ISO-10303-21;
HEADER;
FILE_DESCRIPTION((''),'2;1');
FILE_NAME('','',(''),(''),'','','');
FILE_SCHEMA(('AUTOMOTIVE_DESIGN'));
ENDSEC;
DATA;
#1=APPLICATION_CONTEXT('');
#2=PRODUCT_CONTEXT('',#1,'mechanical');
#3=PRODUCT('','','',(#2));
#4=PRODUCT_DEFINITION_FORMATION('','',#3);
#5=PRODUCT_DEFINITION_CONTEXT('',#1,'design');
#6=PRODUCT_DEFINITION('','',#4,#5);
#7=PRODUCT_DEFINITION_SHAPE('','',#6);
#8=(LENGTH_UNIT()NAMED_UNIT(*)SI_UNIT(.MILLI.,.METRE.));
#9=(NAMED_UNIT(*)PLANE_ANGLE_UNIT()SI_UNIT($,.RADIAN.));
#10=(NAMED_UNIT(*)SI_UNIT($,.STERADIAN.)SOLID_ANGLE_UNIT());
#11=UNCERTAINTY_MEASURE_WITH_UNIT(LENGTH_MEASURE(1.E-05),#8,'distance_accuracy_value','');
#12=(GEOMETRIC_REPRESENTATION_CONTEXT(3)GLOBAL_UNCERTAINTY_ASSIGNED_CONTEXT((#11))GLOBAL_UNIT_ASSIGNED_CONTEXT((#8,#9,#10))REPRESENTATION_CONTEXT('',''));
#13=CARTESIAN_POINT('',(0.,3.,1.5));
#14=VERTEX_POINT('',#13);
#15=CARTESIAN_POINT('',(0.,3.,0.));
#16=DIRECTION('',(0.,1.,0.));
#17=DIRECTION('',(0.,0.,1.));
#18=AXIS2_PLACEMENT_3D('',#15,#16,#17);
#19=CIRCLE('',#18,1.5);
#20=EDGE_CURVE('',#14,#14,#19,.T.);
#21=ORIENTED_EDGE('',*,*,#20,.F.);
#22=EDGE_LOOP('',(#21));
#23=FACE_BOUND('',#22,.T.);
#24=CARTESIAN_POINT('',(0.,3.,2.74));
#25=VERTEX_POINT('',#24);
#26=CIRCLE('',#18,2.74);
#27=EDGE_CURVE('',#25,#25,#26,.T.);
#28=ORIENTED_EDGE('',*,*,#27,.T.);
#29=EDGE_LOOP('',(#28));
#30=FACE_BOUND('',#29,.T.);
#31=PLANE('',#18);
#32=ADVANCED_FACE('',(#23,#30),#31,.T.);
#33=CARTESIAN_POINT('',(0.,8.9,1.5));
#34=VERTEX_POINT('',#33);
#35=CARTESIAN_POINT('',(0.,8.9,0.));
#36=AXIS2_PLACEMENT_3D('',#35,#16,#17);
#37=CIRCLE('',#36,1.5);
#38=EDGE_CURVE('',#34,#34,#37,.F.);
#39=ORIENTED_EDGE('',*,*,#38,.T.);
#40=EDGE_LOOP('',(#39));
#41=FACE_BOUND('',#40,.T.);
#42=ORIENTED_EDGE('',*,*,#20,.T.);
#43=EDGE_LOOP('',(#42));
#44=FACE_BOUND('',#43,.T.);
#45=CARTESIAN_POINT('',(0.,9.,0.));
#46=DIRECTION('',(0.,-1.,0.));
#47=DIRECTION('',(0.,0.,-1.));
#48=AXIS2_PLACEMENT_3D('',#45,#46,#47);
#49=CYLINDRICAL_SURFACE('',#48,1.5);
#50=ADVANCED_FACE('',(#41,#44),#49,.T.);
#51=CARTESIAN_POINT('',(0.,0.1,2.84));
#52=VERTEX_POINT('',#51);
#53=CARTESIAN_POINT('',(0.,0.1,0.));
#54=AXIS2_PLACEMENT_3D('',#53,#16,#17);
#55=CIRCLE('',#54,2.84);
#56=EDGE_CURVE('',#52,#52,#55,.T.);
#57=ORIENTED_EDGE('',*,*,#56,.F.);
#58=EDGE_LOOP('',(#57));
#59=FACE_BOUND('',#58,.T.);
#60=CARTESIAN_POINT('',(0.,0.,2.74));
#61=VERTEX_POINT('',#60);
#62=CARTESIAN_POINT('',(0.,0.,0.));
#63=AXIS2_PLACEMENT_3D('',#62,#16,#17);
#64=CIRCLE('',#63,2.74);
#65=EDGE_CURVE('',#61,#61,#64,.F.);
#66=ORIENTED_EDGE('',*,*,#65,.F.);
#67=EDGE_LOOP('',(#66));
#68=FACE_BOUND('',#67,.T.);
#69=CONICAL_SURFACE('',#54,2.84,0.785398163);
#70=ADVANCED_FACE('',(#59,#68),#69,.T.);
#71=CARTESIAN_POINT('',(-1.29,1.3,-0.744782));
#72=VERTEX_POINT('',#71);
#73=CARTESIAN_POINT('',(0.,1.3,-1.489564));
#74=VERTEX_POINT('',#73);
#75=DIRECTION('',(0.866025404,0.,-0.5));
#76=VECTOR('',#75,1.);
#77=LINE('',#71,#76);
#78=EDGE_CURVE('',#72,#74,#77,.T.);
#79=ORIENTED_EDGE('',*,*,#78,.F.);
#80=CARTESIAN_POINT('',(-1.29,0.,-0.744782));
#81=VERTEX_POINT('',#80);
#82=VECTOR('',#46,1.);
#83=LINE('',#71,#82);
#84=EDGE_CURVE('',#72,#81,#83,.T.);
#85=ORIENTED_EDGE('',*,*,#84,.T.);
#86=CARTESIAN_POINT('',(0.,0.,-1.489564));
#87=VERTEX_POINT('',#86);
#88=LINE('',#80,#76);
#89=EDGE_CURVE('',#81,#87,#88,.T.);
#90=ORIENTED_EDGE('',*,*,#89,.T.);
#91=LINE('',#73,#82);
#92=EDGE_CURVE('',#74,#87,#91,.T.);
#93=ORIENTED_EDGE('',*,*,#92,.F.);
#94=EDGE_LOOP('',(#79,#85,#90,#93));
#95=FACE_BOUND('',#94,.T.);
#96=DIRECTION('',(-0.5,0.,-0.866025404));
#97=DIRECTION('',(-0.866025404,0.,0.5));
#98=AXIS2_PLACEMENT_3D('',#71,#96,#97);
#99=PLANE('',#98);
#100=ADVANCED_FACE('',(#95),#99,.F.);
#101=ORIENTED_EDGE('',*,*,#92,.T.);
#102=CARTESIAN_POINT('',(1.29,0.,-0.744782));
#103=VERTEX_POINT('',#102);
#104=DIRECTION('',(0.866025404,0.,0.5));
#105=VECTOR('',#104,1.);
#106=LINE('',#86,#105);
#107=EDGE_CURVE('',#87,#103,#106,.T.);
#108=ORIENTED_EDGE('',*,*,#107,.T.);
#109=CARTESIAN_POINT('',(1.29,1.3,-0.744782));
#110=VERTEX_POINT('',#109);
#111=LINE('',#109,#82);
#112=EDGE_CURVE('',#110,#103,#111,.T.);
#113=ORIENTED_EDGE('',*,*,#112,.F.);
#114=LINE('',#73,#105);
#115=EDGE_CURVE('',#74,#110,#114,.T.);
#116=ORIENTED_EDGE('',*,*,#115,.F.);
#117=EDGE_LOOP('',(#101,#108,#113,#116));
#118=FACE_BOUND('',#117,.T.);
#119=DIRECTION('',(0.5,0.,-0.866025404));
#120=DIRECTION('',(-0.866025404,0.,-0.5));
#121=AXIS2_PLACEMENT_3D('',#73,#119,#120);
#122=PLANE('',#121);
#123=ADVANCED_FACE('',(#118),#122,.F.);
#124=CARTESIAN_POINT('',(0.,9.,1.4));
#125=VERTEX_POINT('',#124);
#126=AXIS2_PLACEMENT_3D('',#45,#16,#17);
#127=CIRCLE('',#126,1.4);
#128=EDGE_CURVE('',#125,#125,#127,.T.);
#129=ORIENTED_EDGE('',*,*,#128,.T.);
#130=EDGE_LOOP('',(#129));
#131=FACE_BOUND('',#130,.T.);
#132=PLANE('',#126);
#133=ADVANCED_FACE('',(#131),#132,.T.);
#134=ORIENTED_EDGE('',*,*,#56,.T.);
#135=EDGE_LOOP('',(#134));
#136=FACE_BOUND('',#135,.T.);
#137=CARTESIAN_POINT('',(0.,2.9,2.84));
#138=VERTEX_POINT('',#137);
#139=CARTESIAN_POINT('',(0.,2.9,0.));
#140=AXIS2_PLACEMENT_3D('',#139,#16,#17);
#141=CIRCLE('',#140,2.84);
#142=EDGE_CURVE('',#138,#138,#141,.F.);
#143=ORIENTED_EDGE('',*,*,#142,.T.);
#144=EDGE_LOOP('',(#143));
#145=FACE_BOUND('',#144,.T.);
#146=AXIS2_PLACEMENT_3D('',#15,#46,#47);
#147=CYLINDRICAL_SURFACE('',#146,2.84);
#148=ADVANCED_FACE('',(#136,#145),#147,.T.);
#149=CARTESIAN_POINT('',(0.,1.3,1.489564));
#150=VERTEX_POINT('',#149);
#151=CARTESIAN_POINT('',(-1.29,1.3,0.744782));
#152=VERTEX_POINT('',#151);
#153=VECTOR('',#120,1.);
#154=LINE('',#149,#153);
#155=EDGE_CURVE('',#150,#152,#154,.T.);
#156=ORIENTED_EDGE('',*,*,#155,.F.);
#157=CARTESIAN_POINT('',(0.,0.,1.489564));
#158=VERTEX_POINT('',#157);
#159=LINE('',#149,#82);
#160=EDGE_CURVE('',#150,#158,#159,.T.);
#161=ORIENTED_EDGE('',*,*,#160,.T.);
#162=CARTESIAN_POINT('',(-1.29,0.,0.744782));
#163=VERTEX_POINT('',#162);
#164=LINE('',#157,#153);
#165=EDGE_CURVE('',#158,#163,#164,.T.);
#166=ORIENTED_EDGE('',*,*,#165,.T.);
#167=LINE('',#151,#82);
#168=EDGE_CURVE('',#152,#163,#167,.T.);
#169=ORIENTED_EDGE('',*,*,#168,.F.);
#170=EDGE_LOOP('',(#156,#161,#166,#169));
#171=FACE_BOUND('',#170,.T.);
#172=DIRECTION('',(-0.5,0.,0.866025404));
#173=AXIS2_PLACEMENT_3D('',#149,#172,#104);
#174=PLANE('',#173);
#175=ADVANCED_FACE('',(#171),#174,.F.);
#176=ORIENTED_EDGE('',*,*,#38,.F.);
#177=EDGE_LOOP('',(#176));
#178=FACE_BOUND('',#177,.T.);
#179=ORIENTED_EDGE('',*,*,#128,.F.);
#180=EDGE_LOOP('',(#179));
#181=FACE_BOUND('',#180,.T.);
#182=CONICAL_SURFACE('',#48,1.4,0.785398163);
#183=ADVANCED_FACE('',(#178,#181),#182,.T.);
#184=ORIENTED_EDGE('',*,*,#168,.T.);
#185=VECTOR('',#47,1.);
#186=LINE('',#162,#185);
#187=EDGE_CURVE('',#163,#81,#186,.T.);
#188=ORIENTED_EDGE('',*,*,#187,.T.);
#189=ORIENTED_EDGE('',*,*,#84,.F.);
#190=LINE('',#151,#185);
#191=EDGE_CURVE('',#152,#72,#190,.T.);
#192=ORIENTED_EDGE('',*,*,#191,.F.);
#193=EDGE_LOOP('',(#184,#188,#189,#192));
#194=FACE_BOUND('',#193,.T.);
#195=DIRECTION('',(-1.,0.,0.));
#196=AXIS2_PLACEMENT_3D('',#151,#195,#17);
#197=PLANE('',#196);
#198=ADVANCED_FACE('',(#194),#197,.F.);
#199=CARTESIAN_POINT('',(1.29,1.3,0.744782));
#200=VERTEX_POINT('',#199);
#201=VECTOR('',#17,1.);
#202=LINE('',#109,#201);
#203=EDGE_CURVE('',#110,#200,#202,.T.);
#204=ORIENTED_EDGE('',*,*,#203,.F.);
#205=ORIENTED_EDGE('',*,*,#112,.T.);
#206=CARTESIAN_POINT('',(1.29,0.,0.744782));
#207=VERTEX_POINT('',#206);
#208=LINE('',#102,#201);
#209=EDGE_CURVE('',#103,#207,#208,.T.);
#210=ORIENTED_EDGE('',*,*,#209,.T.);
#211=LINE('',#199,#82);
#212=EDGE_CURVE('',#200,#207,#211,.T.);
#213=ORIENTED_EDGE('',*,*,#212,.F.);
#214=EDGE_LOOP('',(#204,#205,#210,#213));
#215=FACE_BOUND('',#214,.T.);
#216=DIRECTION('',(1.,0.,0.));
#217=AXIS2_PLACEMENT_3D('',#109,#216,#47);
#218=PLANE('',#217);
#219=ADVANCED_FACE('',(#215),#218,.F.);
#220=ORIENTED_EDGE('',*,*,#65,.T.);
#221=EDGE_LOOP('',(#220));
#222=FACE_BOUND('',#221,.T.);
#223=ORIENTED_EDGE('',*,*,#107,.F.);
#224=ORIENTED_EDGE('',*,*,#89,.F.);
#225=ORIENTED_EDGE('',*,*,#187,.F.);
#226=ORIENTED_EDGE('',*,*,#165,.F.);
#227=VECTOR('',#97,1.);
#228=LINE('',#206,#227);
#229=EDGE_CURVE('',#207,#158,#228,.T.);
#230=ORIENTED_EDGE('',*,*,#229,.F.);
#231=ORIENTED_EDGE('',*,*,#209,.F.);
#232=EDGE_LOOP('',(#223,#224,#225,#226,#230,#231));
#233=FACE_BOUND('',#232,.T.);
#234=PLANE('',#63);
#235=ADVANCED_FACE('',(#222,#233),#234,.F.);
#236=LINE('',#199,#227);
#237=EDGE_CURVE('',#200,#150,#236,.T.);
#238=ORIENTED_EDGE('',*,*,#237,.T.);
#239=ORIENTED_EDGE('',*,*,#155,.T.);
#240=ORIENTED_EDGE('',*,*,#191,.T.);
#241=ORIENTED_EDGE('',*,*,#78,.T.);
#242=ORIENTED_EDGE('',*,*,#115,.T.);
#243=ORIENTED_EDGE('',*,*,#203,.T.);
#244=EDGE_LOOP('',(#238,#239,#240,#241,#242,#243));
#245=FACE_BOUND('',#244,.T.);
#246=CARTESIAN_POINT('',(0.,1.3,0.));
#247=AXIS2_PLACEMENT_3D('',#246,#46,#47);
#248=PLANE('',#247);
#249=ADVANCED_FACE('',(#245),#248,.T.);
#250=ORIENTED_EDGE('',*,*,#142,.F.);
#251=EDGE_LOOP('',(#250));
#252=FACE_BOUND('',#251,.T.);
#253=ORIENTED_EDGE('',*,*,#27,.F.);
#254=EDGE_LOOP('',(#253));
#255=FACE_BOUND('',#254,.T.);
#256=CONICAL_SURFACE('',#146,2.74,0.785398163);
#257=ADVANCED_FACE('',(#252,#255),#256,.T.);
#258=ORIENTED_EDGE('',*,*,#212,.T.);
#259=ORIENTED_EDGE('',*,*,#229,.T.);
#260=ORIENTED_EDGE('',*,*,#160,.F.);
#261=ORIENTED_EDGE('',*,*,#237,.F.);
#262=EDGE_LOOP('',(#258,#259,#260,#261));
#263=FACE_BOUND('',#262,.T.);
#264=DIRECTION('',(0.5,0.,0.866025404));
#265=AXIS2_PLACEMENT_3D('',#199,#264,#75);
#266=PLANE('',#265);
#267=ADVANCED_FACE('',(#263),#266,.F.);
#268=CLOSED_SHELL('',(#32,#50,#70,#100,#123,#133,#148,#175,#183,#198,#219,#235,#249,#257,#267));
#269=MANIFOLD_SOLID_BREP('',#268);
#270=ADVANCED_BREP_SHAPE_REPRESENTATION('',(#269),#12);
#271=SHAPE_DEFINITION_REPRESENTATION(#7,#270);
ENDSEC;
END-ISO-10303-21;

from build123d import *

# Parameters (mm, degrees)
SKETCH_1_R            = 2.84
EXTRUDE_261_DEPTH     = 3
SKETCH_2_R            = 1.5
EXTRUDE_346_DEPTH     = 6
CUT_EXTRUDE_531_DEPTH = 1.3
CHAMFER_593_SIZE      = 0.1


with BuildPart() as part:
    # 草图1 → Extrude 261 (new body)
    with BuildSketch(Plane(origin=(0, 0, 0), x_dir=(1, 0, 0), z_dir=(0, 1, 0))):
        with Locations(Location((0, 0, 0), (0, 0, 270))):
            Circle(SKETCH_1_R)
    extrude(amount=EXTRUDE_261_DEPTH)

    # 草图2 → Extrude 346 (add)
    with BuildSketch(Plane(origin=(0, 3, 0), x_dir=(1, 0, 0), z_dir=(0, 1, 0))):
        with Locations(Location((0, 0, 0), (0, 0, 270))):
            Circle(SKETCH_2_R)
    extrude(amount=EXTRUDE_346_DEPTH)

    # 草图3 → Cut-Extrude 531 (cut)
    with BuildSketch(Plane.XZ):
        Polygon((1.29, -0.744781847), (1.29, 0.744781847), (0, 1.489563695), (-1.29, 0.744781847), (-1.29, -0.744781847), (0, -1.489563695), align=None)
    extrude(amount=-CUT_EXTRUDE_531_DEPTH, mode=Mode.SUBTRACT)

    # Chamfer 593
    chamfer_593_edges = [part.edges().sort_by_distance(p)[0] for p in [
        (0, 0, -2.84),
        (0, 3, -2.84),
        (0, 9, -1.5),
    ]]
    chamfer(chamfer_593_edges, length=CHAMFER_593_SIZE)


solid = part.part
